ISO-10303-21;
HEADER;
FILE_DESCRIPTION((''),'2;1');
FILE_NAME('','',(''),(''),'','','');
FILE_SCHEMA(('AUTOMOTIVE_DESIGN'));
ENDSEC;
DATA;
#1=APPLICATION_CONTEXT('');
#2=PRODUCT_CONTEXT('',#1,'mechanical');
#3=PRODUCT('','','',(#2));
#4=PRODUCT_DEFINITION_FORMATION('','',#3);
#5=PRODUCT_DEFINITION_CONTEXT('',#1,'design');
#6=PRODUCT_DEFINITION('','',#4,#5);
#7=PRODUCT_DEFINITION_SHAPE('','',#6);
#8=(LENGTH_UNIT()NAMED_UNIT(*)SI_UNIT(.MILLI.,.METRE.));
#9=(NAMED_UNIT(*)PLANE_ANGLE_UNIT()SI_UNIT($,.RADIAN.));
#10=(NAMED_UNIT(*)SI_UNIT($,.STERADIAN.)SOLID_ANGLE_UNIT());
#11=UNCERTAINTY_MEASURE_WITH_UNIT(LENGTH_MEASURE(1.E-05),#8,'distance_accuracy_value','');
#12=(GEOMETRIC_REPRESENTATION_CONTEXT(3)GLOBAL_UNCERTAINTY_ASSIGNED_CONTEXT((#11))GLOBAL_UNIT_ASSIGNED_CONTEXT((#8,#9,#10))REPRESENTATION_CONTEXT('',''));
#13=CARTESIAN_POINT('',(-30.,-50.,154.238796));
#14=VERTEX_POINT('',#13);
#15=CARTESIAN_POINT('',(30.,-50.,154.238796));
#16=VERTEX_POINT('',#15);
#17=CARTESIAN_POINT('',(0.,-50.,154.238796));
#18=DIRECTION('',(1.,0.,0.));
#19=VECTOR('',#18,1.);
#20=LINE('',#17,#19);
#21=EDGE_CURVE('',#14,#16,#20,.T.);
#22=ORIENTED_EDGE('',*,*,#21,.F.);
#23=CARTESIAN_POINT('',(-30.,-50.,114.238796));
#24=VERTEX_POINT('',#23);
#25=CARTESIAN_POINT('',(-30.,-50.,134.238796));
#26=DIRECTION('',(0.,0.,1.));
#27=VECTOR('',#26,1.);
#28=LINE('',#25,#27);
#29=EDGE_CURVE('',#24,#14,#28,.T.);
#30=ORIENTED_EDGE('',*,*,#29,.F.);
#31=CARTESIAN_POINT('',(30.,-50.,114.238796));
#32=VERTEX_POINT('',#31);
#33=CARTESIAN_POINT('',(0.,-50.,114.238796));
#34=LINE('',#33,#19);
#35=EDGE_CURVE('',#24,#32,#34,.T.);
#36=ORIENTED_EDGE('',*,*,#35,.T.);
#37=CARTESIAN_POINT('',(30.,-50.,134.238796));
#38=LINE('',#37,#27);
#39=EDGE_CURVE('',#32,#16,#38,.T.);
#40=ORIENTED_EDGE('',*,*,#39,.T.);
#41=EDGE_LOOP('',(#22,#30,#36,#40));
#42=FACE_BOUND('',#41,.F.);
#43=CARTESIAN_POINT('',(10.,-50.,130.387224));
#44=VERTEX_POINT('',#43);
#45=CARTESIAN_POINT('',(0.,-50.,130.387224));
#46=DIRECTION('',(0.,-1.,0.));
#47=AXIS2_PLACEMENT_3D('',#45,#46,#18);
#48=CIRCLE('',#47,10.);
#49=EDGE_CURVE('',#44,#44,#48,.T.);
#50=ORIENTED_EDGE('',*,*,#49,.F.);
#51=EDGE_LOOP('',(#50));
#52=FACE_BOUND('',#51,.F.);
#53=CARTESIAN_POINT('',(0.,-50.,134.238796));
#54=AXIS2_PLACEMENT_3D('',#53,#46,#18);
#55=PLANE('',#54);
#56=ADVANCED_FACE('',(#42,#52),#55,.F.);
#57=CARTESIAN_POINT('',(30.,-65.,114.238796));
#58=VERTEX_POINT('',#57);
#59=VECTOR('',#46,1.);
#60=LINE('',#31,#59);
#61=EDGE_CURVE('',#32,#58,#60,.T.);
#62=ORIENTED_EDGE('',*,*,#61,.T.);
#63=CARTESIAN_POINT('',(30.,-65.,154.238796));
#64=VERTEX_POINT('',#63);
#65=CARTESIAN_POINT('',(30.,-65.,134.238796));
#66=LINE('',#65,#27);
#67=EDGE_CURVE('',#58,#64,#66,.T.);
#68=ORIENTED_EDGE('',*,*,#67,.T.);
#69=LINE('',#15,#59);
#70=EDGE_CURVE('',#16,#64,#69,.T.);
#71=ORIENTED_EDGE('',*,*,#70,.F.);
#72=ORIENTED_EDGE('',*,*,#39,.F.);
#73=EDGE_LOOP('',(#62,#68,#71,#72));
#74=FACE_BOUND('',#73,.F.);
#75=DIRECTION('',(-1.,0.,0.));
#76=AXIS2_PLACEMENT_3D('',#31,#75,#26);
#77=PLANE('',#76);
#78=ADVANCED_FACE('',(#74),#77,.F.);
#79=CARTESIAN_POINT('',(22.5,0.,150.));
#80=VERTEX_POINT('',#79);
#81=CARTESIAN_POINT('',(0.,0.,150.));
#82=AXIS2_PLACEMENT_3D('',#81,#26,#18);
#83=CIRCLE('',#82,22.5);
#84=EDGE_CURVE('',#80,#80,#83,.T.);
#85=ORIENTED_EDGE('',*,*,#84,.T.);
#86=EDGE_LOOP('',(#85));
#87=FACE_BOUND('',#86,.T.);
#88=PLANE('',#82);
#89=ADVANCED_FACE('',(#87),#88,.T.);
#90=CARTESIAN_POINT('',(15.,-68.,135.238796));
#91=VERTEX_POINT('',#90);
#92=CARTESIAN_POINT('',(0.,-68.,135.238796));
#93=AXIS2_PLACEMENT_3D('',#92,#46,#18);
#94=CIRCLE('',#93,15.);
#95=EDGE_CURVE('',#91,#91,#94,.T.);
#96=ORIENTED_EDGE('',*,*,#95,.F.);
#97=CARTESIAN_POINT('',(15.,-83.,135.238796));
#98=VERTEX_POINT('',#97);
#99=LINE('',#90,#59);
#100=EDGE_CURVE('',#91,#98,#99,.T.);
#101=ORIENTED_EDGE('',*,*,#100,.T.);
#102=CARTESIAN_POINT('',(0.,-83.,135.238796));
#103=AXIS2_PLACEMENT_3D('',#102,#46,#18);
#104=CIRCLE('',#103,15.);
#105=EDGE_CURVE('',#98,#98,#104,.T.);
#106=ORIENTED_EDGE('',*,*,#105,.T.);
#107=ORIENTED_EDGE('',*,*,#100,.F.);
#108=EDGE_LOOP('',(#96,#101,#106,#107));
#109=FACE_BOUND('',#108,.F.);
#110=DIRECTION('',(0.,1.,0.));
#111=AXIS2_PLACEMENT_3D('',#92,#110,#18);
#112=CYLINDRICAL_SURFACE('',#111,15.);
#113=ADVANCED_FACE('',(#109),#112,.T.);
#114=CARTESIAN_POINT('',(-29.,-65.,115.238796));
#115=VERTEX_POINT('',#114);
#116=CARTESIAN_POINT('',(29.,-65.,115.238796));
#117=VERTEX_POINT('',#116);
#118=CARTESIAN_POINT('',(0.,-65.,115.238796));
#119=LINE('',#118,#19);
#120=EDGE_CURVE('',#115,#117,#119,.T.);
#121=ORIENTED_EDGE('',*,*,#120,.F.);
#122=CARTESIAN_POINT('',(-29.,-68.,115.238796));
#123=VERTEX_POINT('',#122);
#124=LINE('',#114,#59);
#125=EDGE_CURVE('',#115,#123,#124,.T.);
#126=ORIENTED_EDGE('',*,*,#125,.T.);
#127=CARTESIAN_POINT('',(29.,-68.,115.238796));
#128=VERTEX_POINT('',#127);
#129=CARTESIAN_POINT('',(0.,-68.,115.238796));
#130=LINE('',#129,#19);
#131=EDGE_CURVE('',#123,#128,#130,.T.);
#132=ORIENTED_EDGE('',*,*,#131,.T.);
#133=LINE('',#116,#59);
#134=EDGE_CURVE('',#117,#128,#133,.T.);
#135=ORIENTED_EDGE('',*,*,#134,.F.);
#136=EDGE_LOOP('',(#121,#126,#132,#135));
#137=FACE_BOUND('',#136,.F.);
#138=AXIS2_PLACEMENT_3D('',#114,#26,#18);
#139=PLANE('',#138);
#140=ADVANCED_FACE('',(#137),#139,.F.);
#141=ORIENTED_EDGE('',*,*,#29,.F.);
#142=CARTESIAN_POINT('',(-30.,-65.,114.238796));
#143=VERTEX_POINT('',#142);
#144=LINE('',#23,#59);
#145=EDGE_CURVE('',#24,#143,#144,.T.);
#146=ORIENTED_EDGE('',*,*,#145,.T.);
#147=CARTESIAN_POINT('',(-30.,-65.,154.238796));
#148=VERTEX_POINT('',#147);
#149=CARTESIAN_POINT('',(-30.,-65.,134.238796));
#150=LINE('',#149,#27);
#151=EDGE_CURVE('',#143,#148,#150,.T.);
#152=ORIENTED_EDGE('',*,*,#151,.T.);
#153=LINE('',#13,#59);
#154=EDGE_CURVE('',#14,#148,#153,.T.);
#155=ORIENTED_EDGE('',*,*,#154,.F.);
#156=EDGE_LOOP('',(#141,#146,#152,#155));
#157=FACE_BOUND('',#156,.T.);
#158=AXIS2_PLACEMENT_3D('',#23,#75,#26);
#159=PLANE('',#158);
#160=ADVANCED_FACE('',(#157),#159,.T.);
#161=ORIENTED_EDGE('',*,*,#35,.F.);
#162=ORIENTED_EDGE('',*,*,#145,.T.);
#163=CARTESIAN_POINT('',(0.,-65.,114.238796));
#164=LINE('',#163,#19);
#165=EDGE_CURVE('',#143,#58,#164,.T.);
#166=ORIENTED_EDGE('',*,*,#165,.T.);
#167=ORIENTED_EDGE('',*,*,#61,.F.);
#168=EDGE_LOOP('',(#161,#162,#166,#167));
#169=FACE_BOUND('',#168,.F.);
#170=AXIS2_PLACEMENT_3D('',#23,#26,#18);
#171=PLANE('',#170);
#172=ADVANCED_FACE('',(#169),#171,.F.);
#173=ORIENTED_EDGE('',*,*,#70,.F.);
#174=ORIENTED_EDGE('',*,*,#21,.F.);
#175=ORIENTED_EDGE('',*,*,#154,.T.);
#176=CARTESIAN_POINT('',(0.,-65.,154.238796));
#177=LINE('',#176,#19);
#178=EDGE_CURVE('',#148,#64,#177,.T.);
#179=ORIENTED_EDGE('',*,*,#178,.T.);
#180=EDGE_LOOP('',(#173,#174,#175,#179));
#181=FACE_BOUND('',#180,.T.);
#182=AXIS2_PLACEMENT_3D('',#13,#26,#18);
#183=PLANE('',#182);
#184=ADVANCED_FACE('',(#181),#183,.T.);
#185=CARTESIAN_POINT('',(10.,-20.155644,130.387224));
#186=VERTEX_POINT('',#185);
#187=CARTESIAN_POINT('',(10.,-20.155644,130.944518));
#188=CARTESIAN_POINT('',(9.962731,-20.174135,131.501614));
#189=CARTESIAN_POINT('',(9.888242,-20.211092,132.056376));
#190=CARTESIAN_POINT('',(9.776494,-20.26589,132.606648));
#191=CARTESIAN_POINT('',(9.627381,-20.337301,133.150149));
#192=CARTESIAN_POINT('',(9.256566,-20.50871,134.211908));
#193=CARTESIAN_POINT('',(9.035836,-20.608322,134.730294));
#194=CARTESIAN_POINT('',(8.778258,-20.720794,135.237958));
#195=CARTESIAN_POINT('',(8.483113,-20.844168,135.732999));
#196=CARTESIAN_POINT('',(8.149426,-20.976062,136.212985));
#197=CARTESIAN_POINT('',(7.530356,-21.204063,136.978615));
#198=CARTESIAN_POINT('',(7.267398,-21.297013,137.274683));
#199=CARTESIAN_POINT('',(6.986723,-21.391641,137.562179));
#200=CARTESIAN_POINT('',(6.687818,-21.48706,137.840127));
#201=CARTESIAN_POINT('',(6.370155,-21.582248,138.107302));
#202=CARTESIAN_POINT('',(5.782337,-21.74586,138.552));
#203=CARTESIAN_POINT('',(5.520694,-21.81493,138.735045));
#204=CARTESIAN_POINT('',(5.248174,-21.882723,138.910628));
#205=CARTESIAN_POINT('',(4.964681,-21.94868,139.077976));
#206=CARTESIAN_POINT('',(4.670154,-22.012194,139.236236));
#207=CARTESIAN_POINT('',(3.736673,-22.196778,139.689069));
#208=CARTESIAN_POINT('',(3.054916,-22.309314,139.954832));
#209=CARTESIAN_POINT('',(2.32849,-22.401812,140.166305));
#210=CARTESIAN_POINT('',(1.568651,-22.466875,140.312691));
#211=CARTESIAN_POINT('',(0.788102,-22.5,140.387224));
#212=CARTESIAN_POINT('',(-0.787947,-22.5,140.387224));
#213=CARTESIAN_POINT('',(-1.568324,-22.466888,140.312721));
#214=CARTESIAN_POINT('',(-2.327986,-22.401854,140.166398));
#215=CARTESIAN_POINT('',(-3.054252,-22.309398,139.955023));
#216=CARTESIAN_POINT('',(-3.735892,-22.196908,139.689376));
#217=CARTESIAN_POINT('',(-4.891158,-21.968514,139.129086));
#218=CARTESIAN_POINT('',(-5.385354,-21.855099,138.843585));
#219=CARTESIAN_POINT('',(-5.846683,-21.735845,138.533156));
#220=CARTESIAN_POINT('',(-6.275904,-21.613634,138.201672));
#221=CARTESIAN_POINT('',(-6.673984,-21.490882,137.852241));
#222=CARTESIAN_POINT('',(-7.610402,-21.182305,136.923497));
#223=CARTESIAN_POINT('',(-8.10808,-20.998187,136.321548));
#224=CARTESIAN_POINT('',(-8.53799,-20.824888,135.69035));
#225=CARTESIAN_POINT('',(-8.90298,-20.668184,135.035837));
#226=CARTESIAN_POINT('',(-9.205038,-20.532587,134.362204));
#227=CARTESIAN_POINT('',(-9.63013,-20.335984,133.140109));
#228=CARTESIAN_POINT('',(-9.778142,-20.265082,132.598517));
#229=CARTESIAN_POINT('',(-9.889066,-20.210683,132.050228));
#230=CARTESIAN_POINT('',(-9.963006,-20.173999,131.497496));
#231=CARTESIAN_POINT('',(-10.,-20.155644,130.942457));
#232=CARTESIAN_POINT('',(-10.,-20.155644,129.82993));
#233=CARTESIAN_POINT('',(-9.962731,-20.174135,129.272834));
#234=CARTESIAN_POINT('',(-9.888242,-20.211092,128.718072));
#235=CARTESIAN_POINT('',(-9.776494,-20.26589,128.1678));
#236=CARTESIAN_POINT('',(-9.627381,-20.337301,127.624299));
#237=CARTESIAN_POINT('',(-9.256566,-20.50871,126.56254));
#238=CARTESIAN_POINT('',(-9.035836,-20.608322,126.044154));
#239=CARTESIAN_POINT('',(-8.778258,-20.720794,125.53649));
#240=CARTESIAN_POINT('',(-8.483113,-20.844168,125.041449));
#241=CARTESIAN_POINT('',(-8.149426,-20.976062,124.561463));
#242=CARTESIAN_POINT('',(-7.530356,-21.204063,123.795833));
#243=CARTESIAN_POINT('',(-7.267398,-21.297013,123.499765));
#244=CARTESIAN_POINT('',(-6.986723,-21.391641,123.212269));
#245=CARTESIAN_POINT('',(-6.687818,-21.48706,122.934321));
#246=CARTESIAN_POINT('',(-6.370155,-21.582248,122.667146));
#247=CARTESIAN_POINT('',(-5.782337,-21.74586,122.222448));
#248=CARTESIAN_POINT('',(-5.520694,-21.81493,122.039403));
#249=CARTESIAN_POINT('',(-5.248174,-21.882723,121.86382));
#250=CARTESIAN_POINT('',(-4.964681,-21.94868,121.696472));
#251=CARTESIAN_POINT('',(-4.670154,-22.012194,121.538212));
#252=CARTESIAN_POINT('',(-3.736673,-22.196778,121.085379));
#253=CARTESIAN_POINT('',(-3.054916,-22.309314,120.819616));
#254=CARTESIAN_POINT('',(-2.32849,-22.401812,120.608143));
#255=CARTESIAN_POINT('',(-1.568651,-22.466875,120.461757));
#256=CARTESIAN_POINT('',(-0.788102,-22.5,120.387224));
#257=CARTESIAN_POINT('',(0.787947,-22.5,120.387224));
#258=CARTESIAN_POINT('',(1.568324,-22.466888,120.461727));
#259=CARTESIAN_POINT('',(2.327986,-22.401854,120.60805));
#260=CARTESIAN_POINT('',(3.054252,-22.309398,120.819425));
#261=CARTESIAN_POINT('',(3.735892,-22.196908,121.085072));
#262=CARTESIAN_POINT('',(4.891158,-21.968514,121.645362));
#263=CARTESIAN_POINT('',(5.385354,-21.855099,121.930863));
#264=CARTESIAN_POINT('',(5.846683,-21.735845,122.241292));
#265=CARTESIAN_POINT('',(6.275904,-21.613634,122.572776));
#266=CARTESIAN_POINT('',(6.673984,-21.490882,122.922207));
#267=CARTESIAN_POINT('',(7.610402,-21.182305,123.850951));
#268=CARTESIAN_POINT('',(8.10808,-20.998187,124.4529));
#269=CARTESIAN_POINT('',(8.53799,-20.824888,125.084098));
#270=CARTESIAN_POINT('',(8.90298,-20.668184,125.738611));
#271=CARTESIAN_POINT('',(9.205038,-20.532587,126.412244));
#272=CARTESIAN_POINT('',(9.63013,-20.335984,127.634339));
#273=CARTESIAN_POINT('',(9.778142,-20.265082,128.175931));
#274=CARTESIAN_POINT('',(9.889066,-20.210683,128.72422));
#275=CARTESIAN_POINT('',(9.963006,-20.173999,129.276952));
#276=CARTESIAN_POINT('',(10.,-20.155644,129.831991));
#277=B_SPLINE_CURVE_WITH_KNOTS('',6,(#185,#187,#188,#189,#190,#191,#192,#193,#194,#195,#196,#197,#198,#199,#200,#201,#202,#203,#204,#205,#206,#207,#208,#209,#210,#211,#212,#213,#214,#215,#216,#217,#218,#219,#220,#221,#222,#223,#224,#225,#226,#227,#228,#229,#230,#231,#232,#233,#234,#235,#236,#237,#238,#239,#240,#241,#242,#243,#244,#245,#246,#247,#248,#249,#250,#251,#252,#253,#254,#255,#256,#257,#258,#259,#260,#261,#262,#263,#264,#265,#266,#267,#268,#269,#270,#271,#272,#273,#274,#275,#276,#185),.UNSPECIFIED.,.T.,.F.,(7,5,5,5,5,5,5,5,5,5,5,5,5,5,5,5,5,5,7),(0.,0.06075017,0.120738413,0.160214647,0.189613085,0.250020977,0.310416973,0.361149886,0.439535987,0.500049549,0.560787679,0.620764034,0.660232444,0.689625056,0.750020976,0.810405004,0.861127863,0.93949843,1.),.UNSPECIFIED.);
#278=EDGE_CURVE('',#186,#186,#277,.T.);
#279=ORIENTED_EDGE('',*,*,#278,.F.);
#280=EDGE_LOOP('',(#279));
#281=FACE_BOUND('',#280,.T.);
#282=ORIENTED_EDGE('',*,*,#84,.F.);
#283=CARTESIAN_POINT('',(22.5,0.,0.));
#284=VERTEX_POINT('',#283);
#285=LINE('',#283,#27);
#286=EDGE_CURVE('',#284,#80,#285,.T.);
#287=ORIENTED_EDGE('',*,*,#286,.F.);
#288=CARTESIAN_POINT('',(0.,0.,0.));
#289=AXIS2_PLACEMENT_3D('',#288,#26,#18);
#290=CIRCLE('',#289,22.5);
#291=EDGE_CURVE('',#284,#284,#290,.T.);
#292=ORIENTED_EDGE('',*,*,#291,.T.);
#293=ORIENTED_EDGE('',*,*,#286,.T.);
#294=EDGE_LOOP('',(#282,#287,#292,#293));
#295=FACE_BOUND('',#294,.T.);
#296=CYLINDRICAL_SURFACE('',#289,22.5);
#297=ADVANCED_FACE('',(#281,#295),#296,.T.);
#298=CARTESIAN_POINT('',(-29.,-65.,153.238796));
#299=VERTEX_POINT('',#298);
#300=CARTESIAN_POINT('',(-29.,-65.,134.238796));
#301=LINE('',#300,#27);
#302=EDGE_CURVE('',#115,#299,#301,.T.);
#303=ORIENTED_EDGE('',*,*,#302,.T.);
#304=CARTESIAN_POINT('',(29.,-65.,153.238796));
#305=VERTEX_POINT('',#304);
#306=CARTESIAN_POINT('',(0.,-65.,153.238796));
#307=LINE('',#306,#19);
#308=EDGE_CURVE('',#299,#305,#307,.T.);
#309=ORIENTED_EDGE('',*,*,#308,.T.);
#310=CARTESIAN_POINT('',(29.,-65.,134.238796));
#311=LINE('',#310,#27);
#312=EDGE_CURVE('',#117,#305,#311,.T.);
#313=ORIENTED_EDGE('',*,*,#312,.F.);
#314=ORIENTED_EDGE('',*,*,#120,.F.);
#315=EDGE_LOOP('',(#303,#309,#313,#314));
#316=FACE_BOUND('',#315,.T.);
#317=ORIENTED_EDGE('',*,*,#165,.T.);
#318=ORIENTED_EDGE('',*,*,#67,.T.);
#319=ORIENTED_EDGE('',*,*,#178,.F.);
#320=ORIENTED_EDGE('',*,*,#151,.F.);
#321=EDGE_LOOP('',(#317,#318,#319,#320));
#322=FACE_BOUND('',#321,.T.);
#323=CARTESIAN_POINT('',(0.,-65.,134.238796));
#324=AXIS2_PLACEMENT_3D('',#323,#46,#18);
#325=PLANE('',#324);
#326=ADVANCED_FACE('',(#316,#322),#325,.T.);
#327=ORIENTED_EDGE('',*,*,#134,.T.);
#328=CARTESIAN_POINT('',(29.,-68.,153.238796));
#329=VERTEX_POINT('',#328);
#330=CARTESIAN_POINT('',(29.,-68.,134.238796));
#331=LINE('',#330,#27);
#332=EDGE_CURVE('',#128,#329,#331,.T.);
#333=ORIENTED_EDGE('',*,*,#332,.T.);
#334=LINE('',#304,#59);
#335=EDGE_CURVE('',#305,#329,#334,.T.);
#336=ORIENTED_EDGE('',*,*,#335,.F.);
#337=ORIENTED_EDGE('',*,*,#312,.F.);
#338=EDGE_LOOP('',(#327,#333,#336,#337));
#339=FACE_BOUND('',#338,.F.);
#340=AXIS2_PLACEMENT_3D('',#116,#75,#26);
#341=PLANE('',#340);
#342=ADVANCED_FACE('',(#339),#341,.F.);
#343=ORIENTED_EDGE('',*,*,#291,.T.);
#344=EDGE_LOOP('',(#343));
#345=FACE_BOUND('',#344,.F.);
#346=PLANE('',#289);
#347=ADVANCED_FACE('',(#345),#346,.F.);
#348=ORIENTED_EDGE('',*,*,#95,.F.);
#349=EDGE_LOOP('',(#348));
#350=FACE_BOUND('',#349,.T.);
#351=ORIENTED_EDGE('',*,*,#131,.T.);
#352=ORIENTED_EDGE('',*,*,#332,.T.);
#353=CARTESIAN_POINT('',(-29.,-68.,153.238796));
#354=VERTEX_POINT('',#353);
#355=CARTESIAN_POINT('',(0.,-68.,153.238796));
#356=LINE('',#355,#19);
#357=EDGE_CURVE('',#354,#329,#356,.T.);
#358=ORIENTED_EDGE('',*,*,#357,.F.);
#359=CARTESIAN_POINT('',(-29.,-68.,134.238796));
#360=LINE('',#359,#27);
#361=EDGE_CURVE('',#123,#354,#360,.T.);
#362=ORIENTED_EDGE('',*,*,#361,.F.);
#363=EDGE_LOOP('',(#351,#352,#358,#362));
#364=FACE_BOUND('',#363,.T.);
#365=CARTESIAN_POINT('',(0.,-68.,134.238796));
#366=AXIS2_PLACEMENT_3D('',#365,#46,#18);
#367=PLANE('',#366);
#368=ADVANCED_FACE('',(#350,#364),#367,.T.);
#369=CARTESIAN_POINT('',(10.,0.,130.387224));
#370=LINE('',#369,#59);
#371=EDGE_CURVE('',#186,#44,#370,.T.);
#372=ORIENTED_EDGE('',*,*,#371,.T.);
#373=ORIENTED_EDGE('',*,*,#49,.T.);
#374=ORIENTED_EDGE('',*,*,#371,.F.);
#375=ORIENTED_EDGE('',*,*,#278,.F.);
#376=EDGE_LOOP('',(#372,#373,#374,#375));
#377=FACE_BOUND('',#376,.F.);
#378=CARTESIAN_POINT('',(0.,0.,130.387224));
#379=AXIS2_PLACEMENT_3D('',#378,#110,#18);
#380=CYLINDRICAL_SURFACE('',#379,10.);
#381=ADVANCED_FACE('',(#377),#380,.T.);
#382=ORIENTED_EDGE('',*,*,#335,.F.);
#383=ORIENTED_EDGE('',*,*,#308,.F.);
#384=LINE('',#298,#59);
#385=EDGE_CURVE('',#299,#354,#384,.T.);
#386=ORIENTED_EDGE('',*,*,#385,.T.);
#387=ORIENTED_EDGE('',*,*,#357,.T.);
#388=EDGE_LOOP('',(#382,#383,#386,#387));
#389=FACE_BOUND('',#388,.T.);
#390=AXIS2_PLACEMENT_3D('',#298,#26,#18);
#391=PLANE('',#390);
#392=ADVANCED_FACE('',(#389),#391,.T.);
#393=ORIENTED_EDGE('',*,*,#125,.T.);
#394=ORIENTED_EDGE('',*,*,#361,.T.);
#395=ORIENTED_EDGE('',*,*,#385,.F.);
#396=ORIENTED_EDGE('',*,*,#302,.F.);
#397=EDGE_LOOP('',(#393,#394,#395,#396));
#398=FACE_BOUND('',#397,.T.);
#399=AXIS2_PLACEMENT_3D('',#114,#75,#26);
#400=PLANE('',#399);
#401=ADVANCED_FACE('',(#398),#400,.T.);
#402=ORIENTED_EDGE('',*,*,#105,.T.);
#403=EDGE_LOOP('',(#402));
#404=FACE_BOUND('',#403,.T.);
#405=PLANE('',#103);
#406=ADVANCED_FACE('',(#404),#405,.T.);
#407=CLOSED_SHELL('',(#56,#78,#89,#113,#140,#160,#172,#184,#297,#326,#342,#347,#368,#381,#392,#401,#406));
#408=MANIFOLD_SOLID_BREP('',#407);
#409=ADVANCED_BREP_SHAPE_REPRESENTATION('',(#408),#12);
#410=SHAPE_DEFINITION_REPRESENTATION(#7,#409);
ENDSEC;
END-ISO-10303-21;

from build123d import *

# Parameters (mm, degrees)
F2_R      = 10
F3_DEPTH  = 50
F5_W      = 60
F5_H      = 40
F6_DEPTH  = 15
F0_R      = 22.5
F8_W      = 58
F8_H      = 38
F9_DEPTH  = 3
F10_R     = 15
F11_DEPTH = 15


with BuildPart() as f3:
    # F2 (on Front) → F3 (new body)
    with BuildSketch(Plane.XZ):
        with Locations((0, 130.387224)):
            Circle(F2_R)
    extrude(amount=F3_DEPTH)

    # F5 (on offset) → F6 (join)
    with BuildSketch(Plane.XZ.offset(50)):
        with Locations((0, 134.238796)):
            Rectangle(F5_W, F5_H)
    extrude(amount=F6_DEPTH)

    # F7: sweep along a path in F1
    with BuildLine(Plane.XZ) as f7_path:
        Line((0, 0), (0, 150))
    # F0 (on Top) → F7 (sweep)
    with BuildSketch(Plane.XY):
        Circle(F0_R)
    sweep(path=f7_path.line)

    # F8 (on face) → F9 (join)
    with BuildSketch(Plane.XZ.offset(65)):
        with Locations((0, 134.238796)):
            Rectangle(F8_W, F8_H)
    extrude(amount=F9_DEPTH)

    # F10 (on face) → F11 (join)
    with BuildSketch(Plane.XZ.offset(68)):
        with Locations((0, 135.238796)):
            Circle(F10_R)
    extrude(amount=F11_DEPTH)


solid = f3.part
